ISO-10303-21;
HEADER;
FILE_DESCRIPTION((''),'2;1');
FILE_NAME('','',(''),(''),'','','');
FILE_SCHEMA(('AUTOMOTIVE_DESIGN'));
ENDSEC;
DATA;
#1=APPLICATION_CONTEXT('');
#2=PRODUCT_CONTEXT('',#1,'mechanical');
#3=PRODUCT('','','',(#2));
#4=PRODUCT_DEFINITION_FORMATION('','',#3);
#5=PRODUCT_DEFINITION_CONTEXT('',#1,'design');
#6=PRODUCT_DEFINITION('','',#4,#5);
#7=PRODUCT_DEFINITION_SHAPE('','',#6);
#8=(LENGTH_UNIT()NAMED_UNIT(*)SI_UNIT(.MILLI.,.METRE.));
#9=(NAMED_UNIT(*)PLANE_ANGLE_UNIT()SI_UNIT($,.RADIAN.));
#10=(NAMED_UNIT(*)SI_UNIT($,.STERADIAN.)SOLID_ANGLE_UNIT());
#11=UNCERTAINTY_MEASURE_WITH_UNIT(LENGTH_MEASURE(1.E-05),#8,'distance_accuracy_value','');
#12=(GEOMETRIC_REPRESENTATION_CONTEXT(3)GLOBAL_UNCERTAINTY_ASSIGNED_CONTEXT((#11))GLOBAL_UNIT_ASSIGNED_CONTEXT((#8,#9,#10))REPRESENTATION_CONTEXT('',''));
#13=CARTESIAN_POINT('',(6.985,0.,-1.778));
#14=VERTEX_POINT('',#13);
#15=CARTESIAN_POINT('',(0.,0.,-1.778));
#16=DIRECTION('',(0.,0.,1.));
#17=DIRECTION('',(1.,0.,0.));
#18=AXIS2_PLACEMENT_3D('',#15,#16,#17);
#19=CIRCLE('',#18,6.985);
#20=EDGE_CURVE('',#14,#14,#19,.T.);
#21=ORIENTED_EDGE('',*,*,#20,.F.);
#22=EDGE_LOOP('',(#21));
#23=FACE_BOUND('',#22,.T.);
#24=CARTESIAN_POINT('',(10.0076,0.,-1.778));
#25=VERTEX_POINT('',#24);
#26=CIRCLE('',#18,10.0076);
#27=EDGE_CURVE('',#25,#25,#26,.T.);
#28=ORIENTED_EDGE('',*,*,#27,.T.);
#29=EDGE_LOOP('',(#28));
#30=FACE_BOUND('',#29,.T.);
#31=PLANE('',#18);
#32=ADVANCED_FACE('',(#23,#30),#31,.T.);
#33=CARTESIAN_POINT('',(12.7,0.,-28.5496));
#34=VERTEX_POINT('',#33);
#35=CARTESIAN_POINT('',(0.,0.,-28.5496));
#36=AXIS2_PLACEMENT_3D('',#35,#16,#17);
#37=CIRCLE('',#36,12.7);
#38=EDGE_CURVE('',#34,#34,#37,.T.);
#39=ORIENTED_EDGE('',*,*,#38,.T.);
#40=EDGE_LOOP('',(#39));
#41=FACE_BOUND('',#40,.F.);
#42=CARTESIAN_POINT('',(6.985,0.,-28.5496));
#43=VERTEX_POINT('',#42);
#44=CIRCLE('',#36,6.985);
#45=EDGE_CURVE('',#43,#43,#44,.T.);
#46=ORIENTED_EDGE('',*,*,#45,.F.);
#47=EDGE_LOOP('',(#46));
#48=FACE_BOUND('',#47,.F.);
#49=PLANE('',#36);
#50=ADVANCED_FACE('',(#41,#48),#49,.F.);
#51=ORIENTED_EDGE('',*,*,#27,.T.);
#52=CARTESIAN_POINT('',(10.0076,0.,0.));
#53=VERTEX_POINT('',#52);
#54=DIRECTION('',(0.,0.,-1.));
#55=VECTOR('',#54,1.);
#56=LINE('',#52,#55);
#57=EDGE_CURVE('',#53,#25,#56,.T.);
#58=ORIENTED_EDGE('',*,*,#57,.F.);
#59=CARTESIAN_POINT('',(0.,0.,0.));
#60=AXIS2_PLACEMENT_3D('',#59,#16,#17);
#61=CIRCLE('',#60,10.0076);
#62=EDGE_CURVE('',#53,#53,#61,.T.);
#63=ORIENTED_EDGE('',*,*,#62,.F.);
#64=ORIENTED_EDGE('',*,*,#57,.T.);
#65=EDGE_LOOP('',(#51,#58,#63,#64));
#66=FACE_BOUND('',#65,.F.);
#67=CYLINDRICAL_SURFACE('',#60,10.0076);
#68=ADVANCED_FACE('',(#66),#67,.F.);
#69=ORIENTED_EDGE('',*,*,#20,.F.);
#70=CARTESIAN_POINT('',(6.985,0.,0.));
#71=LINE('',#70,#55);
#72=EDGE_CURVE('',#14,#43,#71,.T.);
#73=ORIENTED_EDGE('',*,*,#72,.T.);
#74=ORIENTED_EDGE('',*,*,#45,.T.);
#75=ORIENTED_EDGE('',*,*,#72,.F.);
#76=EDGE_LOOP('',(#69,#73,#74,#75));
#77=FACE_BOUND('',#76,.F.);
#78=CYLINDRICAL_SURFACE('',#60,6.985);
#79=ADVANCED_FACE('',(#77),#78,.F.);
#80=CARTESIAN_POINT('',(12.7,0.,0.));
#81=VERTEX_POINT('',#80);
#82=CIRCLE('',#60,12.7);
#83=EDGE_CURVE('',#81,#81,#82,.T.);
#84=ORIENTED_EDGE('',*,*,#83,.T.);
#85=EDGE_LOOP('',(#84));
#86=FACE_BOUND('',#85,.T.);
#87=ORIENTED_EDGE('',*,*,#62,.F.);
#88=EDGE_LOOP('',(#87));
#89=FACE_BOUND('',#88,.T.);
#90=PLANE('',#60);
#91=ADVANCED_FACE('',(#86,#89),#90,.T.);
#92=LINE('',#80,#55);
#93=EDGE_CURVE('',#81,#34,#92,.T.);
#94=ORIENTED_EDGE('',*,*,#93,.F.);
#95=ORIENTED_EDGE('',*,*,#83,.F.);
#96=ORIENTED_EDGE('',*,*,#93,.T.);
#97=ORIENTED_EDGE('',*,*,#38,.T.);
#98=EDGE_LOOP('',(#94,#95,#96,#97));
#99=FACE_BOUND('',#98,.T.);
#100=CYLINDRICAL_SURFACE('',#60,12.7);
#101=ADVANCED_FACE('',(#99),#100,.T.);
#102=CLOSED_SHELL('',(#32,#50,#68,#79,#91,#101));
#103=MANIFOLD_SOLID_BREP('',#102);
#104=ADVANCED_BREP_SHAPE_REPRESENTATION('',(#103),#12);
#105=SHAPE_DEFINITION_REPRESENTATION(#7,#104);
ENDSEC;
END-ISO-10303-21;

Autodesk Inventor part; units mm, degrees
ref_plane "YZ Plane" through (0, 0, 0) normal (1, 0, 0) x (0, 1, 0)
ref_plane "XZ Plane" through (0, 0, 0) normal (0, 1, 0) x (-1, 0, 0)
ref_plane "XY Plane" through (0, 0, 0) normal (0, 0, 1) x (1, 0, 0)
sketch "Sketch1" plane through (0, 0, 0) normal (0, 0, 1) x (1, 0, 0)
  circle A0 centre (0, 0) radius 6.985
  circle A1 centre (0, 0) radius 12.7
  circle A2 centre (0, 0) radius 10.0076
  dimension "d0" = 25.4
  dimension "d1" = 13.97
  dimension "d4" = 20.0152
extrude "Extrusion1" add sketch "Sketch1" against normal blind 28.5496 contours A1 | A2
extrude "Extrusion2" cut sketch "Sketch1" against normal blind 1.778 contours A2
properties part number "CH3-DiffBoxSpacers"
